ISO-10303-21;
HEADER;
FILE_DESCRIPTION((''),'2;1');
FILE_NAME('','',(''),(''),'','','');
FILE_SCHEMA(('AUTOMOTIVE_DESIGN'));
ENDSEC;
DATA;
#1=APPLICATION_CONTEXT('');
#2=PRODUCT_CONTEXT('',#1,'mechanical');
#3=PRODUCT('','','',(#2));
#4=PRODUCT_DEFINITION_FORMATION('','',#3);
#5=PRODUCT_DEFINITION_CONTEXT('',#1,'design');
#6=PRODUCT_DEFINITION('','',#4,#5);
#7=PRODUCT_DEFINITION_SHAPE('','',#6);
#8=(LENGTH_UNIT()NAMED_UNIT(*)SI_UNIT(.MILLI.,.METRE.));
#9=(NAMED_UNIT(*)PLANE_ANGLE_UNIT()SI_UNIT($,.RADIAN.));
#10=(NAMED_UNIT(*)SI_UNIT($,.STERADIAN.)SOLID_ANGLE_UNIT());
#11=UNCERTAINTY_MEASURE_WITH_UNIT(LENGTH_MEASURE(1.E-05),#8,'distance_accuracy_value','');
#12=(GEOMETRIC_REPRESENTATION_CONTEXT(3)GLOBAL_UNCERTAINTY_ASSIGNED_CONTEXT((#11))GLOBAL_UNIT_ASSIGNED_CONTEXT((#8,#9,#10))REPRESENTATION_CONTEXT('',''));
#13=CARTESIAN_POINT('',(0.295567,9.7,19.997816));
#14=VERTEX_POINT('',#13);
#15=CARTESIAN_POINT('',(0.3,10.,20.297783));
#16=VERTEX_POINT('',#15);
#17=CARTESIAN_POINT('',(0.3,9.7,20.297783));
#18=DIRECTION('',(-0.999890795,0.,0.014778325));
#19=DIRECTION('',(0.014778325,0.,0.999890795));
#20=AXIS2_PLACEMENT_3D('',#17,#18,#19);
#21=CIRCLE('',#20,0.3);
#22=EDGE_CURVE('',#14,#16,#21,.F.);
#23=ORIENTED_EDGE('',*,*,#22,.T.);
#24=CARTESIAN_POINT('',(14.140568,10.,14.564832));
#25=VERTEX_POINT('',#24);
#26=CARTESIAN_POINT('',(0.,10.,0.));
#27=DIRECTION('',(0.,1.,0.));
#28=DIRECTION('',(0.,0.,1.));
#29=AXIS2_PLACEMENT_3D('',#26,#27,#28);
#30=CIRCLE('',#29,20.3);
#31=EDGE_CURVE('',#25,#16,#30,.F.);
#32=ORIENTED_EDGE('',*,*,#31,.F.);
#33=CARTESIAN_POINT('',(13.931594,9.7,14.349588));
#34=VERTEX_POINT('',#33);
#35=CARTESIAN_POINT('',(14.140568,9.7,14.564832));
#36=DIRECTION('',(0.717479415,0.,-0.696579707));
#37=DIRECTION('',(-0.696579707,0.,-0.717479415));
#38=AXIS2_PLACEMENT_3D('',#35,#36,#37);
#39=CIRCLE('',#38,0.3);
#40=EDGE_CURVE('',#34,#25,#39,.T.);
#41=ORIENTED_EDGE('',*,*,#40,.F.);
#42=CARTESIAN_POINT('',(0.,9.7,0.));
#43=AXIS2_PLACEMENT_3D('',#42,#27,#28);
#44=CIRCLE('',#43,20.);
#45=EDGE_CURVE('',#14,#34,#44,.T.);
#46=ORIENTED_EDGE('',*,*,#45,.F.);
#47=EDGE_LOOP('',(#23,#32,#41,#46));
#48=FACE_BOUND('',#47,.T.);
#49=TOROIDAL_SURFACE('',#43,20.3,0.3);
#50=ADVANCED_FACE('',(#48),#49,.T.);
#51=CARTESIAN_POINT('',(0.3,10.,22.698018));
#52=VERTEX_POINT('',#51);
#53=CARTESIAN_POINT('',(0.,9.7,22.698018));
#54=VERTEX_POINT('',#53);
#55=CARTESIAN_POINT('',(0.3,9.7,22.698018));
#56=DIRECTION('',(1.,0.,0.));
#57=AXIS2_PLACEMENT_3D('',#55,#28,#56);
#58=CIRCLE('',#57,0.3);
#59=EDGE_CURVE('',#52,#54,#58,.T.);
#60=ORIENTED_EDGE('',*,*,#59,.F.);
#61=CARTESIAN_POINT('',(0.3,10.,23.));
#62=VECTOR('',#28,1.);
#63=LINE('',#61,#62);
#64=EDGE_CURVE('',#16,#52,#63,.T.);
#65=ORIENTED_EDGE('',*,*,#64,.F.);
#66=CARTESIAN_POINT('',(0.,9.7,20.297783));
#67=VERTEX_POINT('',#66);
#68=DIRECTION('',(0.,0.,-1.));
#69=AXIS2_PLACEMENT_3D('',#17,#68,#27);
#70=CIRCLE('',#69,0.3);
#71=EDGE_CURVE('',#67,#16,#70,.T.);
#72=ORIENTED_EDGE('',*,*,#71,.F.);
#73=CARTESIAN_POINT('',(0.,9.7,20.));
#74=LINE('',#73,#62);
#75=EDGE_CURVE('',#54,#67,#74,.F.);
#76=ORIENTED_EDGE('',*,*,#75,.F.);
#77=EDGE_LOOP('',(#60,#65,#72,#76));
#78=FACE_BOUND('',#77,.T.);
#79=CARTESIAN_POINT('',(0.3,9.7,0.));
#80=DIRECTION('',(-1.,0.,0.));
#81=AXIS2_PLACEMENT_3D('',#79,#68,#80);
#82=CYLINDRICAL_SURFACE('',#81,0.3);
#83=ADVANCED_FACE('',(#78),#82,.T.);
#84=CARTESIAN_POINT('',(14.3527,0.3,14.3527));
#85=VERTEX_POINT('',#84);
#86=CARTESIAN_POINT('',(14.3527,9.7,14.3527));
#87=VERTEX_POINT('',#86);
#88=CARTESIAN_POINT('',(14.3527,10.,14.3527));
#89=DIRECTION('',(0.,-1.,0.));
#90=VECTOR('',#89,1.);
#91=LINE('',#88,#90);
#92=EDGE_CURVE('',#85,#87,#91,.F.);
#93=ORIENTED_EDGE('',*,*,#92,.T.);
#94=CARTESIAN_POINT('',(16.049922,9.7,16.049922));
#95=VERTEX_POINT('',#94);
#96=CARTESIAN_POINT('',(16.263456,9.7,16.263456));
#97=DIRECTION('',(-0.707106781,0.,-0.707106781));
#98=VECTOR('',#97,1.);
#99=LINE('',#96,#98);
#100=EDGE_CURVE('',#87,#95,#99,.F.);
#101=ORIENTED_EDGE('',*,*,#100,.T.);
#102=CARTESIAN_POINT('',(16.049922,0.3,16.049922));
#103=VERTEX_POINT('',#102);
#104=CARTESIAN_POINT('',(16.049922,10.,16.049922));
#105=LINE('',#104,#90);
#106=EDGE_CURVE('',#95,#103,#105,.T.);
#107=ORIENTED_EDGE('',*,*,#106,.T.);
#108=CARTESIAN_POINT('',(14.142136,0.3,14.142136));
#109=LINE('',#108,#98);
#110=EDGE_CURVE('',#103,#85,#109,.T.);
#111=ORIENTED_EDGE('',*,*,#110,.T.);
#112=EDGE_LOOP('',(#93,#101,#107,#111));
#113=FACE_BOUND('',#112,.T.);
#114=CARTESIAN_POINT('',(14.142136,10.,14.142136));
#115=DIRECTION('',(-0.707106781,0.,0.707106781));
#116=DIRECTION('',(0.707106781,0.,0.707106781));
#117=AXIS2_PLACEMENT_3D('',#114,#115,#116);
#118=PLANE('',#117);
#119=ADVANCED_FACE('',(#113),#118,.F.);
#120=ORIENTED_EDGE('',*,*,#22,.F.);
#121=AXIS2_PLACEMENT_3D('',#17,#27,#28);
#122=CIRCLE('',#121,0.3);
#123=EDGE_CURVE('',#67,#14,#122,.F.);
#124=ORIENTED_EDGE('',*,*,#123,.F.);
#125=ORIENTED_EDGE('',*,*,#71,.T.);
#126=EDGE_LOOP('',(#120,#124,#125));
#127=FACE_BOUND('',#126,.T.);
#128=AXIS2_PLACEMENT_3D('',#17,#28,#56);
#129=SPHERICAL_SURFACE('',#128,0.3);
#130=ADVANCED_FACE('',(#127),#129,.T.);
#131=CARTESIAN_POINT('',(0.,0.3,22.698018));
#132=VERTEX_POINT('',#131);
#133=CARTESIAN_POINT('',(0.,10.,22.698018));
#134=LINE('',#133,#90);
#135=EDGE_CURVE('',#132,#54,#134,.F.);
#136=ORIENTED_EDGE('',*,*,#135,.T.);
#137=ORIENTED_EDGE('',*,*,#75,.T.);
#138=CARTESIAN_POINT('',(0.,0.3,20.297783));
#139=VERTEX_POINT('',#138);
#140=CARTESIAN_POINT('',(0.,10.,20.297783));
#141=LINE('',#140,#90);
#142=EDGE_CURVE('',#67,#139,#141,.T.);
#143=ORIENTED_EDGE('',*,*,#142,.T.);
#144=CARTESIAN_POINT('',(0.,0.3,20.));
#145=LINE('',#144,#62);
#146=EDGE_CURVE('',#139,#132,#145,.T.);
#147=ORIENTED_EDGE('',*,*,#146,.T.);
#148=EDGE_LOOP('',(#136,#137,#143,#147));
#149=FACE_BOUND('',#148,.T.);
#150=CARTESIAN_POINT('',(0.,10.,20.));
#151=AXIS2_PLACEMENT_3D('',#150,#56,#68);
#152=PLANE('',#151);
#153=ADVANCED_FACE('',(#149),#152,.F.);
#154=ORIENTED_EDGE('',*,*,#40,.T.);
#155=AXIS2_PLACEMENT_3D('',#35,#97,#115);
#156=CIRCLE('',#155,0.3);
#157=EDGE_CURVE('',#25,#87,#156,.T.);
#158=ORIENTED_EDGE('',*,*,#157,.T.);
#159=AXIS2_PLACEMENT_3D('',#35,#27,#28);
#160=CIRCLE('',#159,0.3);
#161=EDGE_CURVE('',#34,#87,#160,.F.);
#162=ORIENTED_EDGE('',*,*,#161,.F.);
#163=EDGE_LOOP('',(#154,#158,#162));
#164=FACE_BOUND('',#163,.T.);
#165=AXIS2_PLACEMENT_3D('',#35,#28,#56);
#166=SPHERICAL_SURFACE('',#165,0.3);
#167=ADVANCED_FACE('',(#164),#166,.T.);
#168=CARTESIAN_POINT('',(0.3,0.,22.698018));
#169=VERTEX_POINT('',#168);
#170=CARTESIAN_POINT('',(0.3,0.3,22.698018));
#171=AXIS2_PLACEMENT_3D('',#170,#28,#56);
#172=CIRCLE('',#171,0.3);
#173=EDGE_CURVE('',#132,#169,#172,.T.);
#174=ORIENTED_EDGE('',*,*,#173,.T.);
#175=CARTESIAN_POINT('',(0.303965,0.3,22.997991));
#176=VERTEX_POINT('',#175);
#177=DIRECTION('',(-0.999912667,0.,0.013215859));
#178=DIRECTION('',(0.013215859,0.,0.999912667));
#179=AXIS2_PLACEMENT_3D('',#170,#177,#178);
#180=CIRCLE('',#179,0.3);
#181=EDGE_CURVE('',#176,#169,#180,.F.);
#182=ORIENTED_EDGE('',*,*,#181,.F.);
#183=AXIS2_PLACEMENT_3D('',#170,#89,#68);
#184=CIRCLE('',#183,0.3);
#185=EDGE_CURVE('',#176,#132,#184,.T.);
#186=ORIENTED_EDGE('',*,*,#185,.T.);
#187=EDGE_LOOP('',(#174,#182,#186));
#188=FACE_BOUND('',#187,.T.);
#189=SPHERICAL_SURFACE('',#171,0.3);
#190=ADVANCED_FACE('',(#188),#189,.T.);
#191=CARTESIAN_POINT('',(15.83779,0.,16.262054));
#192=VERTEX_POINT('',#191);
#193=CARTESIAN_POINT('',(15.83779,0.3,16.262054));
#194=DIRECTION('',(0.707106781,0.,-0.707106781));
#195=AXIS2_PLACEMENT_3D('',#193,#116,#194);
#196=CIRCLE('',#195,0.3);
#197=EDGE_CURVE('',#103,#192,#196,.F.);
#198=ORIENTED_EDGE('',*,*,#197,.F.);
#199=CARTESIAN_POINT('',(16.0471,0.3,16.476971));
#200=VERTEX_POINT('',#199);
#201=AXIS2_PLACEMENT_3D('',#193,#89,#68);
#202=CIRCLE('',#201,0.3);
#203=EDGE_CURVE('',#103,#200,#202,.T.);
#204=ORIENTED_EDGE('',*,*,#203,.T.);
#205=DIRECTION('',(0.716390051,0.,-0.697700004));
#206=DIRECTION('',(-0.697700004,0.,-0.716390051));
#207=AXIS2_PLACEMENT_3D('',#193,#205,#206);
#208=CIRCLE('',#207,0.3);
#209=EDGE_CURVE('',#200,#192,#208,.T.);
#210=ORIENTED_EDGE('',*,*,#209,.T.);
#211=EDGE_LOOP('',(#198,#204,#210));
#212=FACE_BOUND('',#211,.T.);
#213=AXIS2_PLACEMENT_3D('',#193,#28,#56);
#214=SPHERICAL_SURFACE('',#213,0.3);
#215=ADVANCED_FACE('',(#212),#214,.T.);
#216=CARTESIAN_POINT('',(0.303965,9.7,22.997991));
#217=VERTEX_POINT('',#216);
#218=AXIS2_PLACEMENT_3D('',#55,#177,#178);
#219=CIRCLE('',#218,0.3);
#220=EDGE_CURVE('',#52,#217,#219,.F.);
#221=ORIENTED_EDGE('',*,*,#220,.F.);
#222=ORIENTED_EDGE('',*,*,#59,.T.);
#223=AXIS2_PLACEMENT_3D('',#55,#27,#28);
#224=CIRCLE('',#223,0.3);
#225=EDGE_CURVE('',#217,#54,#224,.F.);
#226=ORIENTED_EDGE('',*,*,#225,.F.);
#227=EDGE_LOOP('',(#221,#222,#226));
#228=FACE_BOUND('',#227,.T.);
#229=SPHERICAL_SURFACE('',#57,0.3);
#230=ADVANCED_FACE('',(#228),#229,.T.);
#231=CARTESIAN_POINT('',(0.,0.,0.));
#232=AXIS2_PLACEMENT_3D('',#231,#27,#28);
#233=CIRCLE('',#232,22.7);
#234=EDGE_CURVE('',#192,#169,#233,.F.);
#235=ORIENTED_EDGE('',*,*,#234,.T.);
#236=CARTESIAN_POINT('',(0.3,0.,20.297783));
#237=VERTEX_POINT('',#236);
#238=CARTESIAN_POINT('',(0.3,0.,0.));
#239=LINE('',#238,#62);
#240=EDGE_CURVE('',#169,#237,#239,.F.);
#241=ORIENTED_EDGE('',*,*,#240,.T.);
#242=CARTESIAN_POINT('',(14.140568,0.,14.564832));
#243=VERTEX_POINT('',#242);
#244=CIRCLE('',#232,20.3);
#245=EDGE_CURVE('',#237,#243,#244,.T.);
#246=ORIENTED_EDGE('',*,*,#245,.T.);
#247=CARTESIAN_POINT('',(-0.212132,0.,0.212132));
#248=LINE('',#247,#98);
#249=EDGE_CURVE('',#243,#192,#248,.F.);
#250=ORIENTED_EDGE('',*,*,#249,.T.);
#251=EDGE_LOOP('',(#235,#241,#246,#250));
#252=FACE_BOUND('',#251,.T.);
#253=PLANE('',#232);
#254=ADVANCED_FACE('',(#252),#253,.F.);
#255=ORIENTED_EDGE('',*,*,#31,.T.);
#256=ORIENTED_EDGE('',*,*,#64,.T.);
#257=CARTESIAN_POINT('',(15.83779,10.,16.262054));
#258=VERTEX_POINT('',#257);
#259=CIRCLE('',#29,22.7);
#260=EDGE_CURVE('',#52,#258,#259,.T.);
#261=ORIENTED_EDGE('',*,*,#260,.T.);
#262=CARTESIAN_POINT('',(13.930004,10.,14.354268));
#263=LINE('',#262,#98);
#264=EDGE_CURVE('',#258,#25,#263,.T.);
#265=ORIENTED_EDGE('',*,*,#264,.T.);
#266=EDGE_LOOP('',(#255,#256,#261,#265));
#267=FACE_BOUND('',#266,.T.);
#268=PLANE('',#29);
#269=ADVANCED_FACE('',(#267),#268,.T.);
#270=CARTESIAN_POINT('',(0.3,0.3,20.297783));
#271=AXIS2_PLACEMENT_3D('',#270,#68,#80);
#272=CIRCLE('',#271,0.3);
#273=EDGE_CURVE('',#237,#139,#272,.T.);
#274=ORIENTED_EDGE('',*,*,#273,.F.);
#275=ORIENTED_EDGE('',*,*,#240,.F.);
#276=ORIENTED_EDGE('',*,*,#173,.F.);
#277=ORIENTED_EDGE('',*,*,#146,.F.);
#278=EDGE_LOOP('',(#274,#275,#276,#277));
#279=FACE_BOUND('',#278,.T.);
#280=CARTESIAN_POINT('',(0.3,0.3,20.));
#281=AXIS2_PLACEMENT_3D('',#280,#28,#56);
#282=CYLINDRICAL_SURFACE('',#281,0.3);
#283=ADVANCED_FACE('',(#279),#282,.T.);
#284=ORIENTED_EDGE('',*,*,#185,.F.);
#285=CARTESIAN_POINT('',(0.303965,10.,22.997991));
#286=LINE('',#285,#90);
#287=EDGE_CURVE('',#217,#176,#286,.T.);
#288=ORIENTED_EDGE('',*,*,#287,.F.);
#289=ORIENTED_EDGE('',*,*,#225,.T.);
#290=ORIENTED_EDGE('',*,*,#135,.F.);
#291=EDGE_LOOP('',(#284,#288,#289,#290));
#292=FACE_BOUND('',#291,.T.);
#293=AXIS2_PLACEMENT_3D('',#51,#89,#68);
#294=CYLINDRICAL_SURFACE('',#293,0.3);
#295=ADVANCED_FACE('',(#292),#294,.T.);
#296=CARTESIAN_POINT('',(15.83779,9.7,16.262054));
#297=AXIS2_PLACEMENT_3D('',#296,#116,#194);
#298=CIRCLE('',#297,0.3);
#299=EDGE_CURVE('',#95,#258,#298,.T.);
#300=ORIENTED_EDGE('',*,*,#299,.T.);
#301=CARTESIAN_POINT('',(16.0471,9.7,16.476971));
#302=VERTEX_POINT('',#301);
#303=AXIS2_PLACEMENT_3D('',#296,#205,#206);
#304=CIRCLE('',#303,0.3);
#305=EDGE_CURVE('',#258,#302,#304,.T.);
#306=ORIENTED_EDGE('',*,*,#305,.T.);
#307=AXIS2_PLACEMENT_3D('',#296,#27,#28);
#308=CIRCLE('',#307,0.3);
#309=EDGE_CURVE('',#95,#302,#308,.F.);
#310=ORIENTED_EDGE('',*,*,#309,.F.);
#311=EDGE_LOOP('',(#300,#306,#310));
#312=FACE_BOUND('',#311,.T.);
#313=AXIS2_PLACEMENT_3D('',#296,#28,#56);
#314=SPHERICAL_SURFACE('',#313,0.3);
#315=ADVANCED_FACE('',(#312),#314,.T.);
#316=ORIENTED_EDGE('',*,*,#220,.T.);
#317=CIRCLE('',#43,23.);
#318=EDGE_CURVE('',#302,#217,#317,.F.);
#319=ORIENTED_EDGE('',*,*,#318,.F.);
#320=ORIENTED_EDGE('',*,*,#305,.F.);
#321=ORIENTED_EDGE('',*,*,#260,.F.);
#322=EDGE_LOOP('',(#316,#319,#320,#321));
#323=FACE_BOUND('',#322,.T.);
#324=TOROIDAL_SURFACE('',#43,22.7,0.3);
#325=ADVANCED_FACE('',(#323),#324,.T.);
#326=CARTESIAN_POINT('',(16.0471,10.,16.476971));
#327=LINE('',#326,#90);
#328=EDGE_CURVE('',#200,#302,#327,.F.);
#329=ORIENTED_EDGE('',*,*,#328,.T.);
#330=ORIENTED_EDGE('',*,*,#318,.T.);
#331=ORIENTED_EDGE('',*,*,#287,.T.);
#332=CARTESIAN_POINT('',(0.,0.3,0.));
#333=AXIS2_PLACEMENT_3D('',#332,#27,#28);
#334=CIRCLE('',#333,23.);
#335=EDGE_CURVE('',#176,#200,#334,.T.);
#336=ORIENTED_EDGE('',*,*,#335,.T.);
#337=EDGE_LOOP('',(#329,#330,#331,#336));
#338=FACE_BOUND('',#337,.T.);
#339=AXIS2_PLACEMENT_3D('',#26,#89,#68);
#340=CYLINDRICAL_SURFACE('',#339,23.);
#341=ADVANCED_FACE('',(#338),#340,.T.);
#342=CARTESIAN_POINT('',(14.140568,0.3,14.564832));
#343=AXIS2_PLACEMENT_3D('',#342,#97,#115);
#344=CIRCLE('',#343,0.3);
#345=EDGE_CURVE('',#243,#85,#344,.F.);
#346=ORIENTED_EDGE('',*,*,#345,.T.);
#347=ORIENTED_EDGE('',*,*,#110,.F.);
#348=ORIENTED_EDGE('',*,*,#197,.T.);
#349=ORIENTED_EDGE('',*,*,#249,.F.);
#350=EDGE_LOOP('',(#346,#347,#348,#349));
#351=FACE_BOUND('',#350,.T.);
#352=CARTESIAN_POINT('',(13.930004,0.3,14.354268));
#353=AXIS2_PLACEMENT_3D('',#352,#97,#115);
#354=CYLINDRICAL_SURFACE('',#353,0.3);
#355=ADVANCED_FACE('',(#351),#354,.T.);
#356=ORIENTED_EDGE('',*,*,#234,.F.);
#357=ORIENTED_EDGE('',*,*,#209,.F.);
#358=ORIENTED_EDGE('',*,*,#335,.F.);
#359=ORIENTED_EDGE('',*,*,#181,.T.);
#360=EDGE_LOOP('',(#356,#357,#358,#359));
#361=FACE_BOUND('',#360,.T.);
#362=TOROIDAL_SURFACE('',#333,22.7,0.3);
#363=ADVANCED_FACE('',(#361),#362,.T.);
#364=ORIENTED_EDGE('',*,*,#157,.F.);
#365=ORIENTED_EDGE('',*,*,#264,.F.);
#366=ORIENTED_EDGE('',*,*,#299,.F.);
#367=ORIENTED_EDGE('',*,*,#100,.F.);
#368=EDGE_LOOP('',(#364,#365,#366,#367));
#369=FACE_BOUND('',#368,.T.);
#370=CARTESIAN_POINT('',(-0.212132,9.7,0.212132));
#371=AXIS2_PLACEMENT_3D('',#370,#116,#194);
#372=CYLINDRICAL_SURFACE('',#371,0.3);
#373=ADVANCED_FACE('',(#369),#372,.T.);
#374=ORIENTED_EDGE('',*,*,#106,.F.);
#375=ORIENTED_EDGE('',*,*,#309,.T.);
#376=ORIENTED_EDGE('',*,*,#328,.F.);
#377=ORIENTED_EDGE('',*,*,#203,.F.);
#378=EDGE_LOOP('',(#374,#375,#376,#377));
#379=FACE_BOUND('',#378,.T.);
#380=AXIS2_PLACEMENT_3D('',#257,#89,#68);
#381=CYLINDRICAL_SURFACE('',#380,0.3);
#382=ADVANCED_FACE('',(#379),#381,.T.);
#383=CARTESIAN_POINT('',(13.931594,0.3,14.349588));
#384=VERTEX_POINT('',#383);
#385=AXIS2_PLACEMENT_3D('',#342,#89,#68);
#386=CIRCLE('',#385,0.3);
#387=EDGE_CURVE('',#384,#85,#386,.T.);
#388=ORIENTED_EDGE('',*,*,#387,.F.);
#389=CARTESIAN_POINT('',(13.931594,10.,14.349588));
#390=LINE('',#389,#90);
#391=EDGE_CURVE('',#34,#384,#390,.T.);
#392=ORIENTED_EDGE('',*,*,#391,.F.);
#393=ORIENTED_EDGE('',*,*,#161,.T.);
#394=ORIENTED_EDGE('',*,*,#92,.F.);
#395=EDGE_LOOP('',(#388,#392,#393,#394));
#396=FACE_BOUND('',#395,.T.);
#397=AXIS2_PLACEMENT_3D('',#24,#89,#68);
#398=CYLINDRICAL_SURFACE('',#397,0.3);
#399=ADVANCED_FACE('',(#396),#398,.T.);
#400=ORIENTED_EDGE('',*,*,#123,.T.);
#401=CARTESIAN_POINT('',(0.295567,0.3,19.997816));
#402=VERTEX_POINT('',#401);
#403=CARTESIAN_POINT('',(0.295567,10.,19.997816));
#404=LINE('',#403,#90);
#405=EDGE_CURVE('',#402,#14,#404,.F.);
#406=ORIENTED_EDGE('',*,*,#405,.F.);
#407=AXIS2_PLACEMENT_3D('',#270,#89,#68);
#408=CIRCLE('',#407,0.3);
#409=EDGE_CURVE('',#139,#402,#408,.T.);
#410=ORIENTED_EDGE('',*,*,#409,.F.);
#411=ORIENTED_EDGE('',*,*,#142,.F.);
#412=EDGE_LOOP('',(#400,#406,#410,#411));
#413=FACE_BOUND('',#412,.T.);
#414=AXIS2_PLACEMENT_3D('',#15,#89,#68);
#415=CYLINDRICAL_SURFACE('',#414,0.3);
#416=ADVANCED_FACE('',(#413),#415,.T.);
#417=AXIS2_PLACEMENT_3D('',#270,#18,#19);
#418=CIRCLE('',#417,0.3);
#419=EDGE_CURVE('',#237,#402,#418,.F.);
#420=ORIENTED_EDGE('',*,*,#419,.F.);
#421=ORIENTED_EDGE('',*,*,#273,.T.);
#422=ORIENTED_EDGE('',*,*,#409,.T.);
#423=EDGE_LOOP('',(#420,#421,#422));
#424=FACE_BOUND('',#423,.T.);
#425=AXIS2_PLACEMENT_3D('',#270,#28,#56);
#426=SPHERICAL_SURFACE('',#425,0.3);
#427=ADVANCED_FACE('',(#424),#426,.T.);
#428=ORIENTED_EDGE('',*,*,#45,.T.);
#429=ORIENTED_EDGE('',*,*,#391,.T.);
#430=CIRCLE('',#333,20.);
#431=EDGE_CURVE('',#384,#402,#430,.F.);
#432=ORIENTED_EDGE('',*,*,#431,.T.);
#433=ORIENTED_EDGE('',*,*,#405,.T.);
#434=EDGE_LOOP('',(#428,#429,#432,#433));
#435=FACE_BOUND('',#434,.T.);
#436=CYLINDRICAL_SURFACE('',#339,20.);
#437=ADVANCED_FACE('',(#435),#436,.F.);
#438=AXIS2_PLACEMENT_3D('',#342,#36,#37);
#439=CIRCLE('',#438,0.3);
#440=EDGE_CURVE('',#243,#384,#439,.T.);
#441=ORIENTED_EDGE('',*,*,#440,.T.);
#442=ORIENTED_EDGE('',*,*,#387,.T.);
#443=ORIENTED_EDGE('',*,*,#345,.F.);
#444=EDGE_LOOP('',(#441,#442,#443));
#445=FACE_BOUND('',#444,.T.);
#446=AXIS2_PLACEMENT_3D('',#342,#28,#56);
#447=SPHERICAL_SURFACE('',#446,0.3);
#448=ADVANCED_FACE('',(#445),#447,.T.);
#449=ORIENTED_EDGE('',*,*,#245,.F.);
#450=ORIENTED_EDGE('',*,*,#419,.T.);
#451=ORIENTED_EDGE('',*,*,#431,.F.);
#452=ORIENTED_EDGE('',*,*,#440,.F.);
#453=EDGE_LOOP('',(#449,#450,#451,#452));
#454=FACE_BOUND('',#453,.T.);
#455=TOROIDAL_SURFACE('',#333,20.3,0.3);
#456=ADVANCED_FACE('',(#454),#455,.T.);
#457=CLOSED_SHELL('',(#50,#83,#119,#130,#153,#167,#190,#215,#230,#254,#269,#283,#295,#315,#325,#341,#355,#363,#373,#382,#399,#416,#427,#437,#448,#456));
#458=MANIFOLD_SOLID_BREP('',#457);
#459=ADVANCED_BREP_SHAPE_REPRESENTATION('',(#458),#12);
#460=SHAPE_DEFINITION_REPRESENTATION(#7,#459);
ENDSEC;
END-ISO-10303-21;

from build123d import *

# Parameters (mm, degrees)
BOSS_EXTRUDE1_DEPTH = 10
FILLET1_R           = 0.3


with BuildPart() as part:
    # Sketch1 → Boss-Extrude1 (new body)
    with BuildSketch(Plane(origin=(0, 0, 0), x_dir=(1, 0, 0), z_dir=(0, 1, 0))):
        with BuildLine():
            Line((14.142135624, -14.142135624), (16.263455967, -16.263455967))
            ThreePointArc((16.263455967, -16.263455967), (8.801718944, -21.249229248), (0, -23))
            Line((0, -23), (0, -20))
            ThreePointArc((0, -20), (7.653668647, -18.47759065), (14.142135624, -14.142135624))
        make_face()
    extrude(amount=BOSS_EXTRUDE1_DEPTH)

    # Fillet1
    fillet1_edges = [part.edges().sort_by_distance(p)[0] for p in [
        (8.801718944, 10, 21.249229248),
        (15.202795796, 10, 15.202795796),
        (7.653668647, 10, 18.47759065),
        (15.202795796, 0, 15.202795796),
        (8.801718944, 0, 21.249229248),
        (0, 0, 21.5),
        (7.653668647, 0, 18.47759065),
        (0, 10, 21.5),
        (14.142135624, 5, 14.142135624),
        (16.263455967, 5, 16.263455967),
        (0, 5, 23),
        (0, 5, 20),
    ]]
    fillet(fillet1_edges, radius=FILLET1_R)


solid = part.part
